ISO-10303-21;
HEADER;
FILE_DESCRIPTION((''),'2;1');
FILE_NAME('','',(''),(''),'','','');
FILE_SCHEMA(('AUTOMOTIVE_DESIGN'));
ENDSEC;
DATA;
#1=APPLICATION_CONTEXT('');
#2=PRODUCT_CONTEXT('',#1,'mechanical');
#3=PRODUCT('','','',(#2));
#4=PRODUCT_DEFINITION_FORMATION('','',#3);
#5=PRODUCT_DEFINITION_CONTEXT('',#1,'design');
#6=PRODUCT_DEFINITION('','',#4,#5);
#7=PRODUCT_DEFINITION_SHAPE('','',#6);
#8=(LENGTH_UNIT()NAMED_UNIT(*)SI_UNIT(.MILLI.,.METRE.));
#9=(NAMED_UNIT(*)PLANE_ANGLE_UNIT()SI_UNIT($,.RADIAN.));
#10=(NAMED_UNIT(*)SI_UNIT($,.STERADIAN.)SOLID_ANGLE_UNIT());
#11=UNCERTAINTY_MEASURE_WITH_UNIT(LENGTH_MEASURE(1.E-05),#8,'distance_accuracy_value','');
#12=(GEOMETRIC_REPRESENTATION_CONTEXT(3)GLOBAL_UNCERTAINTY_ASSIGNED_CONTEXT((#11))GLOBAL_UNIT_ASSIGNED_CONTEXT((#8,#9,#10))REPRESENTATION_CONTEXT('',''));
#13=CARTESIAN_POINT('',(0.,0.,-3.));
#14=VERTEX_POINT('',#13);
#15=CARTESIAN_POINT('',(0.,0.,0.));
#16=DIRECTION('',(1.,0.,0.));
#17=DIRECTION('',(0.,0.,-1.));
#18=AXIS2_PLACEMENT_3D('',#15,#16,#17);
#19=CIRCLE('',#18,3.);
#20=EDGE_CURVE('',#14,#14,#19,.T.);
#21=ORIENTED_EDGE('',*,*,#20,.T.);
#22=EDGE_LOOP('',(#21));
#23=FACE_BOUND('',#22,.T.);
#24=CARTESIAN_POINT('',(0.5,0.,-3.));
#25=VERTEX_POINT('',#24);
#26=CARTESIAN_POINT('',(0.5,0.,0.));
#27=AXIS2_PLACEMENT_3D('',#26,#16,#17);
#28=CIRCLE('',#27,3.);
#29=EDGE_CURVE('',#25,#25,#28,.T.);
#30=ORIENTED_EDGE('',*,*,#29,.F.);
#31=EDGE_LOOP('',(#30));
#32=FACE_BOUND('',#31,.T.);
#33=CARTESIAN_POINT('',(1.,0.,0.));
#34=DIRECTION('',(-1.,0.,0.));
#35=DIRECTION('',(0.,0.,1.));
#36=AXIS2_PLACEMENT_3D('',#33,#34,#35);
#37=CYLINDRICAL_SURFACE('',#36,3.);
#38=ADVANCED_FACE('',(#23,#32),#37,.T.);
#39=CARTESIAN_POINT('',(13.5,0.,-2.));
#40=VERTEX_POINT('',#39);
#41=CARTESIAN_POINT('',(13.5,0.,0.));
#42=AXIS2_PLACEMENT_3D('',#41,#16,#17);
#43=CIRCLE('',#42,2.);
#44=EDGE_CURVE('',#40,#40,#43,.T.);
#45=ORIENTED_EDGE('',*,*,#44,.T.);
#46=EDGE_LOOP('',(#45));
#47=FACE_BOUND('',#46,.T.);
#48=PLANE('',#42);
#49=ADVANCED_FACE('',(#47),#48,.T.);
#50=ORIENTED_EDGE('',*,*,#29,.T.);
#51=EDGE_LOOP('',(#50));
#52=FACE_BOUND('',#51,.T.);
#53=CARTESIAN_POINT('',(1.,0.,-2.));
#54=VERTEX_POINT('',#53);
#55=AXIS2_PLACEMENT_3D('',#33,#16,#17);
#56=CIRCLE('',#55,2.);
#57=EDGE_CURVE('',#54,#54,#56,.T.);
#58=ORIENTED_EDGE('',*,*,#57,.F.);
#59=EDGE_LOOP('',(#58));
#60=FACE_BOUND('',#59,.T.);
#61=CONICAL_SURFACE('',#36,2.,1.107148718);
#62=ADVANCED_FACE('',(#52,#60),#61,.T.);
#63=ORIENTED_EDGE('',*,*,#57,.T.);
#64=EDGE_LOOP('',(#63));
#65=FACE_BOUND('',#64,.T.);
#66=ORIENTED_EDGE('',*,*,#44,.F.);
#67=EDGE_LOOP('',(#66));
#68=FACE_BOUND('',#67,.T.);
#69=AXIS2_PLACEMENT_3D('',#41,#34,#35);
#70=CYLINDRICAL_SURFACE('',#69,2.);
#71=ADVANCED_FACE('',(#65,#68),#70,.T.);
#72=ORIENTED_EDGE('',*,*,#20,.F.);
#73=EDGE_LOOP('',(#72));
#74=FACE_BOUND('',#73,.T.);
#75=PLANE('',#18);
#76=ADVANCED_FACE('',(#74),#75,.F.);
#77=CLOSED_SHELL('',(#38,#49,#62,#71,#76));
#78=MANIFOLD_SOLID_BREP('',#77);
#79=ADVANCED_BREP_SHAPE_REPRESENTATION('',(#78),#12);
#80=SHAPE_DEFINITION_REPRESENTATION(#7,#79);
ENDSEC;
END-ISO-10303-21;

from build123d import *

# Parameters (mm, degrees)
SKETCH1_R           = 3
BOSS_EXTRUDE1_DEPTH = 1
SKETCH1_4_R         = 2
BOSS_EXTRUDE2_DEPTH = 13.5


with BuildPart() as part:
    # Sketch1 → Boss-Extrude1 (new body)
    with BuildSketch(Plane.YZ):
        Circle(SKETCH1_R)
    extrude(amount=BOSS_EXTRUDE1_DEPTH)

    # Sketch1<4> → Boss-Extrude2 (add)
    with BuildSketch(Plane.YZ):
        Circle(SKETCH1_4_R)
    extrude(amount=BOSS_EXTRUDE2_DEPTH)

    # Sketch2 → Cut-Revolve1 (revolve, cut)
    with BuildSketch(Plane(origin=(0, 0, 0), x_dir=(-1, 0, 0), z_dir=(0, 1, 0))):
        Polygon((-0.5, 3), (-1, 2), (-1, 3), align=None)
    revolve(axis=Axis((0.683677116, 0, 0), (-1, 0, 0)), mode=Mode.SUBTRACT)


solid = part.part
